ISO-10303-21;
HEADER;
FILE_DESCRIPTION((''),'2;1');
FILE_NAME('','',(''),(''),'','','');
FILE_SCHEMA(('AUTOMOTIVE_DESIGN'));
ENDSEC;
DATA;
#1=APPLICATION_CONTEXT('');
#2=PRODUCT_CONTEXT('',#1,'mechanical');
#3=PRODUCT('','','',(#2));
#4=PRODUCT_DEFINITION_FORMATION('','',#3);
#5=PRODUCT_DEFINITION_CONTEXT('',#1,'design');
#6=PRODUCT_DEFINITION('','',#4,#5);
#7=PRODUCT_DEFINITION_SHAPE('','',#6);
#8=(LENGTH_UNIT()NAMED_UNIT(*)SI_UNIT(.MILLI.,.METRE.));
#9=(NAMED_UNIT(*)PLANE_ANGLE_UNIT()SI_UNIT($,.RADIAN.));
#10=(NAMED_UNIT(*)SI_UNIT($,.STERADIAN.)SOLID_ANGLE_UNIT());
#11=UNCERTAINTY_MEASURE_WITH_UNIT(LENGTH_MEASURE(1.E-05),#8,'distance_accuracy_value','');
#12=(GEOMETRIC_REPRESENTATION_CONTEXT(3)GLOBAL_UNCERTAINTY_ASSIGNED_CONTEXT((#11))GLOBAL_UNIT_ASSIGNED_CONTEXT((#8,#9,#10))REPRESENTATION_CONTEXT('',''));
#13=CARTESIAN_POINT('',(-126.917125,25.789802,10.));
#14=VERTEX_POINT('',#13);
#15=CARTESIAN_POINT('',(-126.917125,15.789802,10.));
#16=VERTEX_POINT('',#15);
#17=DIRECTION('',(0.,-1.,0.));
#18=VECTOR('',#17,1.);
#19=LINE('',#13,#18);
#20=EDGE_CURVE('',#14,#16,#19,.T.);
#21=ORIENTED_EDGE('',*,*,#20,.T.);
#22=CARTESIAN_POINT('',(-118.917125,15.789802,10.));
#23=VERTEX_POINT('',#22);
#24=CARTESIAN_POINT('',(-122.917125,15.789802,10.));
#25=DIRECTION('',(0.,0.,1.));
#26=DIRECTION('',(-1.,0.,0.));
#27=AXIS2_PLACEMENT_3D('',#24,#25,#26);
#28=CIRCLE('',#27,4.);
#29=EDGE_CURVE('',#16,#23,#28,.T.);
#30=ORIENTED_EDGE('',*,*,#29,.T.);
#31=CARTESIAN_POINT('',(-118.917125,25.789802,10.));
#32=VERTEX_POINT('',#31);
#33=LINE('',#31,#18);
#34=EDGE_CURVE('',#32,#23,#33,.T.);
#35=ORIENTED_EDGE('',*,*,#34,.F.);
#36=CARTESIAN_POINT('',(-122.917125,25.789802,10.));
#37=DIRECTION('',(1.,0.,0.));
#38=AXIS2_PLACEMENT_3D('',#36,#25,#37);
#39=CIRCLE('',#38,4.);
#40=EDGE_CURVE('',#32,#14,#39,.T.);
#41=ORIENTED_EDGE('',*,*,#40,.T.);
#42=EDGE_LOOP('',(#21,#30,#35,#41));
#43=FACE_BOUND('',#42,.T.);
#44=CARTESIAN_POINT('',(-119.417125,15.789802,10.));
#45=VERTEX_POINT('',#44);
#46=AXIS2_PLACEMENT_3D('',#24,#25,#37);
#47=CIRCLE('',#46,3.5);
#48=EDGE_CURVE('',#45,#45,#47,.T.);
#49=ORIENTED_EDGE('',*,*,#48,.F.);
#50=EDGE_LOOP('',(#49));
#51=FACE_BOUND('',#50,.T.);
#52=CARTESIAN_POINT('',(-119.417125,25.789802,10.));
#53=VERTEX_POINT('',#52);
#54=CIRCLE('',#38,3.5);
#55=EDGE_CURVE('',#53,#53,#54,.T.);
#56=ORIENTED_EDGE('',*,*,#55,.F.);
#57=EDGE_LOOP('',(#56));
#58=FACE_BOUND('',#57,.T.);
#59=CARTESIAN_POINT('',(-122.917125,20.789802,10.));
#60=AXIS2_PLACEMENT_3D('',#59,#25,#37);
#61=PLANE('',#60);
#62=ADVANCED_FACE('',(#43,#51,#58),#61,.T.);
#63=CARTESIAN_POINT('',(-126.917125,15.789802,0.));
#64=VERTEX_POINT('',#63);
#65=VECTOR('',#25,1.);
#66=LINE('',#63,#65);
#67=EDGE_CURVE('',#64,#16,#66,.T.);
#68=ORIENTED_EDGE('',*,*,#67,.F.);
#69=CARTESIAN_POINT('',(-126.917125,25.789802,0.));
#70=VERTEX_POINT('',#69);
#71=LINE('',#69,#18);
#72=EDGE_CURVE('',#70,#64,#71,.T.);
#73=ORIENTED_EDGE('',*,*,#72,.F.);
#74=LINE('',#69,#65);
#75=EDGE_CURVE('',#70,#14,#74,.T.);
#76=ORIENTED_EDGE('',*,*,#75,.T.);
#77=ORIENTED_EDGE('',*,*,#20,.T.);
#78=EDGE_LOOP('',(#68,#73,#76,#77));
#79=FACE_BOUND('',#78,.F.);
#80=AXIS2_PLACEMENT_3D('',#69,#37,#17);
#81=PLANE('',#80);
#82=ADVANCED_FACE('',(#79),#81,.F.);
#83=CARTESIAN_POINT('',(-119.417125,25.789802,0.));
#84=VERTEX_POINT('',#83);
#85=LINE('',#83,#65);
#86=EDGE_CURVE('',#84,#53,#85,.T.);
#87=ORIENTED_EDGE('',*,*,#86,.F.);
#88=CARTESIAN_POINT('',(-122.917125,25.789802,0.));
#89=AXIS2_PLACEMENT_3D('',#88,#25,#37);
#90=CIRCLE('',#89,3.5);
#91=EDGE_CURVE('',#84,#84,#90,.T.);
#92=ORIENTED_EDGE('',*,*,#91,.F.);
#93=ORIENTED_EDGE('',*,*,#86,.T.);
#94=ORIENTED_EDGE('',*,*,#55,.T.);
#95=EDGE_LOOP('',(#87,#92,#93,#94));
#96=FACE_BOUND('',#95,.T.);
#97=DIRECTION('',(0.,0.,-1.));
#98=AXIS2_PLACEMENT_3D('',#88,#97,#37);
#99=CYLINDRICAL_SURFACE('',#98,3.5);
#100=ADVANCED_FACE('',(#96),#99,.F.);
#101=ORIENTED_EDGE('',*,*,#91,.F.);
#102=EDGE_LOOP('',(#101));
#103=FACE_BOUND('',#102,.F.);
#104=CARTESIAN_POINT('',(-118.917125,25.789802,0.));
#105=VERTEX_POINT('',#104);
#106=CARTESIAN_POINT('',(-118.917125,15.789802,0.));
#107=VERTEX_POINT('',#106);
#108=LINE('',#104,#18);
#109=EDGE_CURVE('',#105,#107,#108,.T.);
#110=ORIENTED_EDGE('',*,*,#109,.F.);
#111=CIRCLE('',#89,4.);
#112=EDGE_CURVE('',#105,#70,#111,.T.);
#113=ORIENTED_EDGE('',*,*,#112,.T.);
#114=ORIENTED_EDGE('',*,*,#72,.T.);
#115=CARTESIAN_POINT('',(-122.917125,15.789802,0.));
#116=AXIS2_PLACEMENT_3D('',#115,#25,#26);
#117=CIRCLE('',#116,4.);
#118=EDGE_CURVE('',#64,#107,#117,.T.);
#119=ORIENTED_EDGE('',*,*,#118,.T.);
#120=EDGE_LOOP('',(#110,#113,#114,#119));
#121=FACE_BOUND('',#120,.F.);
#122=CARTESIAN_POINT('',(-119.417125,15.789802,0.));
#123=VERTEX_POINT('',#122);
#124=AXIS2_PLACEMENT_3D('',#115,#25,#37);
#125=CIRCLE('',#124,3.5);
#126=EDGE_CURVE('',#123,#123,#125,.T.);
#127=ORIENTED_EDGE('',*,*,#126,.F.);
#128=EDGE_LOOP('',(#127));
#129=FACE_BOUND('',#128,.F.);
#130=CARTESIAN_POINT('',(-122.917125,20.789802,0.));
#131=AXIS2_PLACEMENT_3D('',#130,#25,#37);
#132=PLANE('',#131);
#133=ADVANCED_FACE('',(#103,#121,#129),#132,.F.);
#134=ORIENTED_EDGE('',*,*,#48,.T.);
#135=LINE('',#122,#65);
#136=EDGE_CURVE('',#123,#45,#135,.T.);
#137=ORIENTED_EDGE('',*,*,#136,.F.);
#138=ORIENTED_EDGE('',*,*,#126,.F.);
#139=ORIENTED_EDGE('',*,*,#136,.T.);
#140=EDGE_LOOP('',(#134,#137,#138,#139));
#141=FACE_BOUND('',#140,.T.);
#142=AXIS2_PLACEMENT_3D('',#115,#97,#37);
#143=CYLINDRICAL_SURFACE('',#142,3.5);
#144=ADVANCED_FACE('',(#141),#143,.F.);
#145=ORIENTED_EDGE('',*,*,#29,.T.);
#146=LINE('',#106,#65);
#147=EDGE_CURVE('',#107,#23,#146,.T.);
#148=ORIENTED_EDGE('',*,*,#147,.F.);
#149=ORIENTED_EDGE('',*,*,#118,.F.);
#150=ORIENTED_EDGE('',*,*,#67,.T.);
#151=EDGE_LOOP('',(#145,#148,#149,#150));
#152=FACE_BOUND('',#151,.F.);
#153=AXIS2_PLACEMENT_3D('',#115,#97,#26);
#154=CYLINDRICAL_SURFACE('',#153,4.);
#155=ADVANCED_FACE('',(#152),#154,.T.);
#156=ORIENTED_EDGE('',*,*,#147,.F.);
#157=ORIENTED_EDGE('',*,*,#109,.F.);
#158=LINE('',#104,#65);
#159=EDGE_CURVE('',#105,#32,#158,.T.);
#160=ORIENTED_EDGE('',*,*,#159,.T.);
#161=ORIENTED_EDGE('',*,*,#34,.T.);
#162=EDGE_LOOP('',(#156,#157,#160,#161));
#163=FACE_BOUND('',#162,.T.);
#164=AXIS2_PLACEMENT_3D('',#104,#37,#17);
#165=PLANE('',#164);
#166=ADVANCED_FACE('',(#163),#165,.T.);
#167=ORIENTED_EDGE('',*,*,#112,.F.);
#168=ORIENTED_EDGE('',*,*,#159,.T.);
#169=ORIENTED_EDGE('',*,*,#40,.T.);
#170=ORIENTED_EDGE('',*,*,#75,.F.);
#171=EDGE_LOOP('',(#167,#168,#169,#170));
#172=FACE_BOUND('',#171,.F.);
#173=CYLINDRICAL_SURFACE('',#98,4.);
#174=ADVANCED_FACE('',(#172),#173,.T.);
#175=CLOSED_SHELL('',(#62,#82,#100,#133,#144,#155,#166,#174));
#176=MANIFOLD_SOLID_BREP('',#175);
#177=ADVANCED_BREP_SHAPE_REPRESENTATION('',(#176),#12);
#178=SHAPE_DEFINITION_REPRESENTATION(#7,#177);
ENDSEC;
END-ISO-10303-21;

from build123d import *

# Parameters (mm, degrees)
SKETCH010_R  = 3.5
PAD001_DEPTH = 10


with BuildPart() as part:
    # Sketch010 → Pad001 (new body)
    with BuildSketch(Plane.XY):
        with BuildLine():
            ThreePointArc((-118.917125, 25.789802), (-122.917125, 29.789802), (-126.917125, 25.789802))
            Line((-126.917125, 25.789802), (-126.917125, 15.789802))
            ThreePointArc((-126.917125, 15.789802), (-122.917125, 11.789802), (-118.917125, 15.789802))
            Line((-118.917125, 25.789802), (-118.917125, 15.789802))
        make_face()
        with Locations((-122.917125, 25.789802)):
            Circle(SKETCH010_R, mode=Mode.SUBTRACT)
        with Locations((-122.917125, 15.789802)):
            Circle(SKETCH010_R, mode=Mode.SUBTRACT)
    extrude(amount=PAD001_DEPTH)


solid = part.part
